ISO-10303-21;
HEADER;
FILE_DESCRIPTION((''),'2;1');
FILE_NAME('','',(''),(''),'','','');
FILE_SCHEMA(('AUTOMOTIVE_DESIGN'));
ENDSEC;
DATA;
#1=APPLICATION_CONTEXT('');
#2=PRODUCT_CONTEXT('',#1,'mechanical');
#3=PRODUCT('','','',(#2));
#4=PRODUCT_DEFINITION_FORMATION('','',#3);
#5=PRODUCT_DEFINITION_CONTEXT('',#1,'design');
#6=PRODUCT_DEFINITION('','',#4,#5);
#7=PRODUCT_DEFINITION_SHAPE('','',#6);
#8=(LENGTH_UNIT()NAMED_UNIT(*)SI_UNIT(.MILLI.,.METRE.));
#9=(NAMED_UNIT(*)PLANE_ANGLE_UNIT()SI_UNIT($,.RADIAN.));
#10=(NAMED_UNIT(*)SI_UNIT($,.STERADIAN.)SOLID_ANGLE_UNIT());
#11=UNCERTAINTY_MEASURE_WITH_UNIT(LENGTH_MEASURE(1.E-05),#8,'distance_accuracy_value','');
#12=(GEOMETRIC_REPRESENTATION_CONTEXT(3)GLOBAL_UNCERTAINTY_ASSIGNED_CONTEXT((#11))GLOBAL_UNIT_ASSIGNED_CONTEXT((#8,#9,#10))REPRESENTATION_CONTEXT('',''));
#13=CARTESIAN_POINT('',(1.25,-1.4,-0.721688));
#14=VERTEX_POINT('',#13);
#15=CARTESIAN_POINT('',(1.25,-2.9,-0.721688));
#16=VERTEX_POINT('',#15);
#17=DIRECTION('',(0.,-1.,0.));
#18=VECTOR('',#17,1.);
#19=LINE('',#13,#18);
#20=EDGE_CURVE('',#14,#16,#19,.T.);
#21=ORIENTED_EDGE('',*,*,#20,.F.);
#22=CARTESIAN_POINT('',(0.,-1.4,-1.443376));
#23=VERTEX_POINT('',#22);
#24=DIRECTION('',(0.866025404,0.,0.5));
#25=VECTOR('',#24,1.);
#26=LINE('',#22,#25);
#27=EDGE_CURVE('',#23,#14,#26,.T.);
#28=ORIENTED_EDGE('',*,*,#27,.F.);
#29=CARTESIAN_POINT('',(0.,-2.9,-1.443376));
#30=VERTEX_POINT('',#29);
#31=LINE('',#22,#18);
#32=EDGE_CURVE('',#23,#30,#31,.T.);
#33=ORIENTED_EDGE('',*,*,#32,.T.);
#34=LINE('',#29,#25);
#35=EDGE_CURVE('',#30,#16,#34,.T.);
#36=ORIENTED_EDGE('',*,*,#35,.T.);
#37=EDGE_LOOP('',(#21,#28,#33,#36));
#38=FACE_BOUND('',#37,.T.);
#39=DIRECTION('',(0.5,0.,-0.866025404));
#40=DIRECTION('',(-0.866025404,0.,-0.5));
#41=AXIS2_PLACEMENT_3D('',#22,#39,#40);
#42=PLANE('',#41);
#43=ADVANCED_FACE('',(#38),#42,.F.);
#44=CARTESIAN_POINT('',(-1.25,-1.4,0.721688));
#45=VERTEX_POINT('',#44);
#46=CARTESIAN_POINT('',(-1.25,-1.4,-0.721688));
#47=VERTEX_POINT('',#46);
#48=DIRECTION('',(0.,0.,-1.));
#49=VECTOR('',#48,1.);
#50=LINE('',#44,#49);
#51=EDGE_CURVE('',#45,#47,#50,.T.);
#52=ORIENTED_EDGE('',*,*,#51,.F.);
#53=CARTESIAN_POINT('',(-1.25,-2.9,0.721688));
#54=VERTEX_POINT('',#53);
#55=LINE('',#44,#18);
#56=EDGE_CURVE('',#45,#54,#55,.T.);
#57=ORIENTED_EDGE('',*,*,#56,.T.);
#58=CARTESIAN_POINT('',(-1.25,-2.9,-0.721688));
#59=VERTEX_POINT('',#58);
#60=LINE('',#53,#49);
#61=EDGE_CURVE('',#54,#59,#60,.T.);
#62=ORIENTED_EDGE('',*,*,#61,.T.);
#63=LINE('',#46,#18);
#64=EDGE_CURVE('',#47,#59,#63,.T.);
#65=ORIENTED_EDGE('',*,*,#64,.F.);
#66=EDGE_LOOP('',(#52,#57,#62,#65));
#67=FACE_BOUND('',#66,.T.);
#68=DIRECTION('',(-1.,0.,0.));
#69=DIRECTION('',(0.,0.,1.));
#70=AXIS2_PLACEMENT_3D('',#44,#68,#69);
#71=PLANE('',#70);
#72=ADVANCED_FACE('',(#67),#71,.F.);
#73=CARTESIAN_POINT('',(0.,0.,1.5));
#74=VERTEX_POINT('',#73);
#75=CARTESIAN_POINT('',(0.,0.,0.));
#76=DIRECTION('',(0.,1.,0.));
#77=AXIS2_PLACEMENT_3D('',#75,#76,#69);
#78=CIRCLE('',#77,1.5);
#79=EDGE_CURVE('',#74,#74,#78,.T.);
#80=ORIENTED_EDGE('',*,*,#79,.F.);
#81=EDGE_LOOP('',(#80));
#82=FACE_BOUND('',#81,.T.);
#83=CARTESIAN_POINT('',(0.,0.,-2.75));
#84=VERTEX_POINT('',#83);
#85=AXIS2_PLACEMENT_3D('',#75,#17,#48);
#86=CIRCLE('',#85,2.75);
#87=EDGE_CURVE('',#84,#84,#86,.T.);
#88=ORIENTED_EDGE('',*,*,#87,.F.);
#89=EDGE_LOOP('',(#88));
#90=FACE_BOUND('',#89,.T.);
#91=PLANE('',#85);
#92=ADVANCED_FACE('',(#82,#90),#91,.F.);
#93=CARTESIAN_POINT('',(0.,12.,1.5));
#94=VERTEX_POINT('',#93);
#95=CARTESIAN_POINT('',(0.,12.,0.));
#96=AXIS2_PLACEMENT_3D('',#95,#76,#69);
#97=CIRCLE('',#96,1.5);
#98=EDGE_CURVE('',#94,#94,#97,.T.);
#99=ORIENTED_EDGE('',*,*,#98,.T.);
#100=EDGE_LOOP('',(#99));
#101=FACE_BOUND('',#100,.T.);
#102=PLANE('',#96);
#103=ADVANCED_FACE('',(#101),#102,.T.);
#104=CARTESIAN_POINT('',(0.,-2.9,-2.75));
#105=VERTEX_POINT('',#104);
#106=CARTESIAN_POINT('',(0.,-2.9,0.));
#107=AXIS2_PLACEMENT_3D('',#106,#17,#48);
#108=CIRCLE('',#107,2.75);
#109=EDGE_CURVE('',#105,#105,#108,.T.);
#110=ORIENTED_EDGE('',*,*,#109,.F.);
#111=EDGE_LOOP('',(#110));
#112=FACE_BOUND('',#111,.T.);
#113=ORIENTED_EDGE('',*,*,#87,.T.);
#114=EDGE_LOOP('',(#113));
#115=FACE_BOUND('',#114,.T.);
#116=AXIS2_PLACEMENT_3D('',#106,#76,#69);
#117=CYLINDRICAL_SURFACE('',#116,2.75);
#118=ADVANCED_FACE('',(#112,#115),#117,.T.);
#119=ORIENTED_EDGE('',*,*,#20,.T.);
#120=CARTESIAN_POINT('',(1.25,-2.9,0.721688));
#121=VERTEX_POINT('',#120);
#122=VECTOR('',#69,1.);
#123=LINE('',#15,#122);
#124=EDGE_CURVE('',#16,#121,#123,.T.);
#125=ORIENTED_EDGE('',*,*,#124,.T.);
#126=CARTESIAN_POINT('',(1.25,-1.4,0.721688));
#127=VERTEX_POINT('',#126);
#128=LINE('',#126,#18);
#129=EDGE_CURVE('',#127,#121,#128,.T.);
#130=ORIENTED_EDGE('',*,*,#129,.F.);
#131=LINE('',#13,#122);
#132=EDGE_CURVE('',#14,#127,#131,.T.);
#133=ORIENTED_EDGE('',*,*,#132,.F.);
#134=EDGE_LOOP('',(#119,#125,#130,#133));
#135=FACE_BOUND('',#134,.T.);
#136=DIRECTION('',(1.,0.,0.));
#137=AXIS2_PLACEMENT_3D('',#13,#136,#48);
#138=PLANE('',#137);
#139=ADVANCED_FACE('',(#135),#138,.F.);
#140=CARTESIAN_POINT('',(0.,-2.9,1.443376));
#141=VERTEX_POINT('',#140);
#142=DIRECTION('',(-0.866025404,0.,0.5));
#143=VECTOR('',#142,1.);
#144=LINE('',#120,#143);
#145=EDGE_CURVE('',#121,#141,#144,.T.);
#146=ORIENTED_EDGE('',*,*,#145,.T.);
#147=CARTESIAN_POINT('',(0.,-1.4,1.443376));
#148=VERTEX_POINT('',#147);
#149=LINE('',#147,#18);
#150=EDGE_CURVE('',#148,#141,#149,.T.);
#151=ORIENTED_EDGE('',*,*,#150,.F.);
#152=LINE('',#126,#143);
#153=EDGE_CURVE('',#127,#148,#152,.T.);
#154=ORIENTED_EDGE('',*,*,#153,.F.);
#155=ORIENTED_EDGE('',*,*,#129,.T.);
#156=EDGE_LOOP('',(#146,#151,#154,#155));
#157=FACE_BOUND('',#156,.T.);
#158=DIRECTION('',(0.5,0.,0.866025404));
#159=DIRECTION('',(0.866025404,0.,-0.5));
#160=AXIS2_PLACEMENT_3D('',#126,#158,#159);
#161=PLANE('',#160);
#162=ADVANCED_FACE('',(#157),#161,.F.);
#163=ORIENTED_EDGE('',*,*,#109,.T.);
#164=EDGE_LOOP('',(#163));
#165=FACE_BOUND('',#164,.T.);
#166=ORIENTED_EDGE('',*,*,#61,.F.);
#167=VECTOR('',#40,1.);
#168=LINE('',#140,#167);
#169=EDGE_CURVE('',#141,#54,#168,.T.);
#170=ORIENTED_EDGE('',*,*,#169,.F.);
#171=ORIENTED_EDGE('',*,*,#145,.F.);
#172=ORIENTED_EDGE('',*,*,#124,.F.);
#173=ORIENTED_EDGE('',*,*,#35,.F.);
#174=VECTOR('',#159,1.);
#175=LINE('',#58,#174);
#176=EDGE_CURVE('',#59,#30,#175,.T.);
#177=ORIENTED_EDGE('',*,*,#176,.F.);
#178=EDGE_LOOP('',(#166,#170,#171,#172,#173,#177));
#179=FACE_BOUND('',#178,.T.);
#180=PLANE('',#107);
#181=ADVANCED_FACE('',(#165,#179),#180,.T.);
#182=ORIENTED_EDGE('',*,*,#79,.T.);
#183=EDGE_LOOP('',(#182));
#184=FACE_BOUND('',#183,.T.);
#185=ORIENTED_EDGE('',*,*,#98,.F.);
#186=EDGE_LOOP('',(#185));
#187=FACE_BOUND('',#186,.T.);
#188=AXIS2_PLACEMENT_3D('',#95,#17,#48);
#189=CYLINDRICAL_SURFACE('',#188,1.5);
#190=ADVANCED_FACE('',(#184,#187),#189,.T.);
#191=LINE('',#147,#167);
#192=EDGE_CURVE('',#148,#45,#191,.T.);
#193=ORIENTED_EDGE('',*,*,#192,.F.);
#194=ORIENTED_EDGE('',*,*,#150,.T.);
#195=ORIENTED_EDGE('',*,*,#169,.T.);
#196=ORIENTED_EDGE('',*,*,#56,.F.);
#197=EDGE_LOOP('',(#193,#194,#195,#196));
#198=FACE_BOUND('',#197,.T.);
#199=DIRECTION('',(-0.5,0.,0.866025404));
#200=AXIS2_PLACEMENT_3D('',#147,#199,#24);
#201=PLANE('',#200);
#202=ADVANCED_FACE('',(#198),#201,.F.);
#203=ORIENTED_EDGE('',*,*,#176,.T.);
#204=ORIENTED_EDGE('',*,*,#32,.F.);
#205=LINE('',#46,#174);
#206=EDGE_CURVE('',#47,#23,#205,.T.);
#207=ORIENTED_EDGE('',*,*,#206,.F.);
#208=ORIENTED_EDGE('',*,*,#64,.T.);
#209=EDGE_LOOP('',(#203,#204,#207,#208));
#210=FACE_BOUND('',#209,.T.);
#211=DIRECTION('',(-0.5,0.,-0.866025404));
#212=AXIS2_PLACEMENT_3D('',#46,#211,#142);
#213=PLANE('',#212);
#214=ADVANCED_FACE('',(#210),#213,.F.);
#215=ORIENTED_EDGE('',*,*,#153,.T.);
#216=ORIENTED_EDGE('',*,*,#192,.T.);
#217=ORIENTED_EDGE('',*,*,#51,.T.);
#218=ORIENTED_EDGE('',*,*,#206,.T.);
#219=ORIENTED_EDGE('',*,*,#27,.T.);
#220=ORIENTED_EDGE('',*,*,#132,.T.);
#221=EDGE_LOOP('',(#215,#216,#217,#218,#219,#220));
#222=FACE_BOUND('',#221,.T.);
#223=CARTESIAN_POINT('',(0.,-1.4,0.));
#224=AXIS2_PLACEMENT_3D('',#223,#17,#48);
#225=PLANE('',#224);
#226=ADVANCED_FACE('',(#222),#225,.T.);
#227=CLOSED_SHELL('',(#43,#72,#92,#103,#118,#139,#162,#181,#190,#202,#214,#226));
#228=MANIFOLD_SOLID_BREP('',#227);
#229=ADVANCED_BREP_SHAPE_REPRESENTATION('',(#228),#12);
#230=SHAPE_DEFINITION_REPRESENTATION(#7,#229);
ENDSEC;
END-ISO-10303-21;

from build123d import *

# Parameters (mm, degrees)
SKETCH_1_R          = 1.5
EXTRUDE_1_DEPTH     = 12
SKETCH_2_R          = 2.75
EXTRUDE_2_DEPTH     = 2.9
CUT_EXTRUDE_1_DEPTH = 1.5


with BuildPart() as part:
    # 草图1 → 凸台-拉伸1 (new body)
    with BuildSketch(Plane(origin=(0, 0, 0), x_dir=(1, 0, 0), z_dir=(0, 1, 0))):
        with Locations(Location((0, 0, 0), (0, 0, 270))):
            Circle(SKETCH_1_R)
    extrude(amount=EXTRUDE_1_DEPTH)

    # 草图2 → 凸台-拉伸2 (add)
    with BuildSketch(Plane.XZ):
        with Locations(Location((0, 0, 0), (0, 0, 270))):
            Circle(SKETCH_2_R)
    extrude(amount=EXTRUDE_2_DEPTH)

    # 草图3 → 切除-拉伸1 (cut)
    with BuildSketch(Plane.XZ.offset(2.9)):
        Polygon((1.25, 0.721687836), (0, 1.443375673), (-1.25, 0.721687836), (-1.25, -0.721687836), (0, -1.443375673), (1.25, -0.721687836), align=None)
    extrude(amount=-CUT_EXTRUDE_1_DEPTH, mode=Mode.SUBTRACT)


solid = part.part
